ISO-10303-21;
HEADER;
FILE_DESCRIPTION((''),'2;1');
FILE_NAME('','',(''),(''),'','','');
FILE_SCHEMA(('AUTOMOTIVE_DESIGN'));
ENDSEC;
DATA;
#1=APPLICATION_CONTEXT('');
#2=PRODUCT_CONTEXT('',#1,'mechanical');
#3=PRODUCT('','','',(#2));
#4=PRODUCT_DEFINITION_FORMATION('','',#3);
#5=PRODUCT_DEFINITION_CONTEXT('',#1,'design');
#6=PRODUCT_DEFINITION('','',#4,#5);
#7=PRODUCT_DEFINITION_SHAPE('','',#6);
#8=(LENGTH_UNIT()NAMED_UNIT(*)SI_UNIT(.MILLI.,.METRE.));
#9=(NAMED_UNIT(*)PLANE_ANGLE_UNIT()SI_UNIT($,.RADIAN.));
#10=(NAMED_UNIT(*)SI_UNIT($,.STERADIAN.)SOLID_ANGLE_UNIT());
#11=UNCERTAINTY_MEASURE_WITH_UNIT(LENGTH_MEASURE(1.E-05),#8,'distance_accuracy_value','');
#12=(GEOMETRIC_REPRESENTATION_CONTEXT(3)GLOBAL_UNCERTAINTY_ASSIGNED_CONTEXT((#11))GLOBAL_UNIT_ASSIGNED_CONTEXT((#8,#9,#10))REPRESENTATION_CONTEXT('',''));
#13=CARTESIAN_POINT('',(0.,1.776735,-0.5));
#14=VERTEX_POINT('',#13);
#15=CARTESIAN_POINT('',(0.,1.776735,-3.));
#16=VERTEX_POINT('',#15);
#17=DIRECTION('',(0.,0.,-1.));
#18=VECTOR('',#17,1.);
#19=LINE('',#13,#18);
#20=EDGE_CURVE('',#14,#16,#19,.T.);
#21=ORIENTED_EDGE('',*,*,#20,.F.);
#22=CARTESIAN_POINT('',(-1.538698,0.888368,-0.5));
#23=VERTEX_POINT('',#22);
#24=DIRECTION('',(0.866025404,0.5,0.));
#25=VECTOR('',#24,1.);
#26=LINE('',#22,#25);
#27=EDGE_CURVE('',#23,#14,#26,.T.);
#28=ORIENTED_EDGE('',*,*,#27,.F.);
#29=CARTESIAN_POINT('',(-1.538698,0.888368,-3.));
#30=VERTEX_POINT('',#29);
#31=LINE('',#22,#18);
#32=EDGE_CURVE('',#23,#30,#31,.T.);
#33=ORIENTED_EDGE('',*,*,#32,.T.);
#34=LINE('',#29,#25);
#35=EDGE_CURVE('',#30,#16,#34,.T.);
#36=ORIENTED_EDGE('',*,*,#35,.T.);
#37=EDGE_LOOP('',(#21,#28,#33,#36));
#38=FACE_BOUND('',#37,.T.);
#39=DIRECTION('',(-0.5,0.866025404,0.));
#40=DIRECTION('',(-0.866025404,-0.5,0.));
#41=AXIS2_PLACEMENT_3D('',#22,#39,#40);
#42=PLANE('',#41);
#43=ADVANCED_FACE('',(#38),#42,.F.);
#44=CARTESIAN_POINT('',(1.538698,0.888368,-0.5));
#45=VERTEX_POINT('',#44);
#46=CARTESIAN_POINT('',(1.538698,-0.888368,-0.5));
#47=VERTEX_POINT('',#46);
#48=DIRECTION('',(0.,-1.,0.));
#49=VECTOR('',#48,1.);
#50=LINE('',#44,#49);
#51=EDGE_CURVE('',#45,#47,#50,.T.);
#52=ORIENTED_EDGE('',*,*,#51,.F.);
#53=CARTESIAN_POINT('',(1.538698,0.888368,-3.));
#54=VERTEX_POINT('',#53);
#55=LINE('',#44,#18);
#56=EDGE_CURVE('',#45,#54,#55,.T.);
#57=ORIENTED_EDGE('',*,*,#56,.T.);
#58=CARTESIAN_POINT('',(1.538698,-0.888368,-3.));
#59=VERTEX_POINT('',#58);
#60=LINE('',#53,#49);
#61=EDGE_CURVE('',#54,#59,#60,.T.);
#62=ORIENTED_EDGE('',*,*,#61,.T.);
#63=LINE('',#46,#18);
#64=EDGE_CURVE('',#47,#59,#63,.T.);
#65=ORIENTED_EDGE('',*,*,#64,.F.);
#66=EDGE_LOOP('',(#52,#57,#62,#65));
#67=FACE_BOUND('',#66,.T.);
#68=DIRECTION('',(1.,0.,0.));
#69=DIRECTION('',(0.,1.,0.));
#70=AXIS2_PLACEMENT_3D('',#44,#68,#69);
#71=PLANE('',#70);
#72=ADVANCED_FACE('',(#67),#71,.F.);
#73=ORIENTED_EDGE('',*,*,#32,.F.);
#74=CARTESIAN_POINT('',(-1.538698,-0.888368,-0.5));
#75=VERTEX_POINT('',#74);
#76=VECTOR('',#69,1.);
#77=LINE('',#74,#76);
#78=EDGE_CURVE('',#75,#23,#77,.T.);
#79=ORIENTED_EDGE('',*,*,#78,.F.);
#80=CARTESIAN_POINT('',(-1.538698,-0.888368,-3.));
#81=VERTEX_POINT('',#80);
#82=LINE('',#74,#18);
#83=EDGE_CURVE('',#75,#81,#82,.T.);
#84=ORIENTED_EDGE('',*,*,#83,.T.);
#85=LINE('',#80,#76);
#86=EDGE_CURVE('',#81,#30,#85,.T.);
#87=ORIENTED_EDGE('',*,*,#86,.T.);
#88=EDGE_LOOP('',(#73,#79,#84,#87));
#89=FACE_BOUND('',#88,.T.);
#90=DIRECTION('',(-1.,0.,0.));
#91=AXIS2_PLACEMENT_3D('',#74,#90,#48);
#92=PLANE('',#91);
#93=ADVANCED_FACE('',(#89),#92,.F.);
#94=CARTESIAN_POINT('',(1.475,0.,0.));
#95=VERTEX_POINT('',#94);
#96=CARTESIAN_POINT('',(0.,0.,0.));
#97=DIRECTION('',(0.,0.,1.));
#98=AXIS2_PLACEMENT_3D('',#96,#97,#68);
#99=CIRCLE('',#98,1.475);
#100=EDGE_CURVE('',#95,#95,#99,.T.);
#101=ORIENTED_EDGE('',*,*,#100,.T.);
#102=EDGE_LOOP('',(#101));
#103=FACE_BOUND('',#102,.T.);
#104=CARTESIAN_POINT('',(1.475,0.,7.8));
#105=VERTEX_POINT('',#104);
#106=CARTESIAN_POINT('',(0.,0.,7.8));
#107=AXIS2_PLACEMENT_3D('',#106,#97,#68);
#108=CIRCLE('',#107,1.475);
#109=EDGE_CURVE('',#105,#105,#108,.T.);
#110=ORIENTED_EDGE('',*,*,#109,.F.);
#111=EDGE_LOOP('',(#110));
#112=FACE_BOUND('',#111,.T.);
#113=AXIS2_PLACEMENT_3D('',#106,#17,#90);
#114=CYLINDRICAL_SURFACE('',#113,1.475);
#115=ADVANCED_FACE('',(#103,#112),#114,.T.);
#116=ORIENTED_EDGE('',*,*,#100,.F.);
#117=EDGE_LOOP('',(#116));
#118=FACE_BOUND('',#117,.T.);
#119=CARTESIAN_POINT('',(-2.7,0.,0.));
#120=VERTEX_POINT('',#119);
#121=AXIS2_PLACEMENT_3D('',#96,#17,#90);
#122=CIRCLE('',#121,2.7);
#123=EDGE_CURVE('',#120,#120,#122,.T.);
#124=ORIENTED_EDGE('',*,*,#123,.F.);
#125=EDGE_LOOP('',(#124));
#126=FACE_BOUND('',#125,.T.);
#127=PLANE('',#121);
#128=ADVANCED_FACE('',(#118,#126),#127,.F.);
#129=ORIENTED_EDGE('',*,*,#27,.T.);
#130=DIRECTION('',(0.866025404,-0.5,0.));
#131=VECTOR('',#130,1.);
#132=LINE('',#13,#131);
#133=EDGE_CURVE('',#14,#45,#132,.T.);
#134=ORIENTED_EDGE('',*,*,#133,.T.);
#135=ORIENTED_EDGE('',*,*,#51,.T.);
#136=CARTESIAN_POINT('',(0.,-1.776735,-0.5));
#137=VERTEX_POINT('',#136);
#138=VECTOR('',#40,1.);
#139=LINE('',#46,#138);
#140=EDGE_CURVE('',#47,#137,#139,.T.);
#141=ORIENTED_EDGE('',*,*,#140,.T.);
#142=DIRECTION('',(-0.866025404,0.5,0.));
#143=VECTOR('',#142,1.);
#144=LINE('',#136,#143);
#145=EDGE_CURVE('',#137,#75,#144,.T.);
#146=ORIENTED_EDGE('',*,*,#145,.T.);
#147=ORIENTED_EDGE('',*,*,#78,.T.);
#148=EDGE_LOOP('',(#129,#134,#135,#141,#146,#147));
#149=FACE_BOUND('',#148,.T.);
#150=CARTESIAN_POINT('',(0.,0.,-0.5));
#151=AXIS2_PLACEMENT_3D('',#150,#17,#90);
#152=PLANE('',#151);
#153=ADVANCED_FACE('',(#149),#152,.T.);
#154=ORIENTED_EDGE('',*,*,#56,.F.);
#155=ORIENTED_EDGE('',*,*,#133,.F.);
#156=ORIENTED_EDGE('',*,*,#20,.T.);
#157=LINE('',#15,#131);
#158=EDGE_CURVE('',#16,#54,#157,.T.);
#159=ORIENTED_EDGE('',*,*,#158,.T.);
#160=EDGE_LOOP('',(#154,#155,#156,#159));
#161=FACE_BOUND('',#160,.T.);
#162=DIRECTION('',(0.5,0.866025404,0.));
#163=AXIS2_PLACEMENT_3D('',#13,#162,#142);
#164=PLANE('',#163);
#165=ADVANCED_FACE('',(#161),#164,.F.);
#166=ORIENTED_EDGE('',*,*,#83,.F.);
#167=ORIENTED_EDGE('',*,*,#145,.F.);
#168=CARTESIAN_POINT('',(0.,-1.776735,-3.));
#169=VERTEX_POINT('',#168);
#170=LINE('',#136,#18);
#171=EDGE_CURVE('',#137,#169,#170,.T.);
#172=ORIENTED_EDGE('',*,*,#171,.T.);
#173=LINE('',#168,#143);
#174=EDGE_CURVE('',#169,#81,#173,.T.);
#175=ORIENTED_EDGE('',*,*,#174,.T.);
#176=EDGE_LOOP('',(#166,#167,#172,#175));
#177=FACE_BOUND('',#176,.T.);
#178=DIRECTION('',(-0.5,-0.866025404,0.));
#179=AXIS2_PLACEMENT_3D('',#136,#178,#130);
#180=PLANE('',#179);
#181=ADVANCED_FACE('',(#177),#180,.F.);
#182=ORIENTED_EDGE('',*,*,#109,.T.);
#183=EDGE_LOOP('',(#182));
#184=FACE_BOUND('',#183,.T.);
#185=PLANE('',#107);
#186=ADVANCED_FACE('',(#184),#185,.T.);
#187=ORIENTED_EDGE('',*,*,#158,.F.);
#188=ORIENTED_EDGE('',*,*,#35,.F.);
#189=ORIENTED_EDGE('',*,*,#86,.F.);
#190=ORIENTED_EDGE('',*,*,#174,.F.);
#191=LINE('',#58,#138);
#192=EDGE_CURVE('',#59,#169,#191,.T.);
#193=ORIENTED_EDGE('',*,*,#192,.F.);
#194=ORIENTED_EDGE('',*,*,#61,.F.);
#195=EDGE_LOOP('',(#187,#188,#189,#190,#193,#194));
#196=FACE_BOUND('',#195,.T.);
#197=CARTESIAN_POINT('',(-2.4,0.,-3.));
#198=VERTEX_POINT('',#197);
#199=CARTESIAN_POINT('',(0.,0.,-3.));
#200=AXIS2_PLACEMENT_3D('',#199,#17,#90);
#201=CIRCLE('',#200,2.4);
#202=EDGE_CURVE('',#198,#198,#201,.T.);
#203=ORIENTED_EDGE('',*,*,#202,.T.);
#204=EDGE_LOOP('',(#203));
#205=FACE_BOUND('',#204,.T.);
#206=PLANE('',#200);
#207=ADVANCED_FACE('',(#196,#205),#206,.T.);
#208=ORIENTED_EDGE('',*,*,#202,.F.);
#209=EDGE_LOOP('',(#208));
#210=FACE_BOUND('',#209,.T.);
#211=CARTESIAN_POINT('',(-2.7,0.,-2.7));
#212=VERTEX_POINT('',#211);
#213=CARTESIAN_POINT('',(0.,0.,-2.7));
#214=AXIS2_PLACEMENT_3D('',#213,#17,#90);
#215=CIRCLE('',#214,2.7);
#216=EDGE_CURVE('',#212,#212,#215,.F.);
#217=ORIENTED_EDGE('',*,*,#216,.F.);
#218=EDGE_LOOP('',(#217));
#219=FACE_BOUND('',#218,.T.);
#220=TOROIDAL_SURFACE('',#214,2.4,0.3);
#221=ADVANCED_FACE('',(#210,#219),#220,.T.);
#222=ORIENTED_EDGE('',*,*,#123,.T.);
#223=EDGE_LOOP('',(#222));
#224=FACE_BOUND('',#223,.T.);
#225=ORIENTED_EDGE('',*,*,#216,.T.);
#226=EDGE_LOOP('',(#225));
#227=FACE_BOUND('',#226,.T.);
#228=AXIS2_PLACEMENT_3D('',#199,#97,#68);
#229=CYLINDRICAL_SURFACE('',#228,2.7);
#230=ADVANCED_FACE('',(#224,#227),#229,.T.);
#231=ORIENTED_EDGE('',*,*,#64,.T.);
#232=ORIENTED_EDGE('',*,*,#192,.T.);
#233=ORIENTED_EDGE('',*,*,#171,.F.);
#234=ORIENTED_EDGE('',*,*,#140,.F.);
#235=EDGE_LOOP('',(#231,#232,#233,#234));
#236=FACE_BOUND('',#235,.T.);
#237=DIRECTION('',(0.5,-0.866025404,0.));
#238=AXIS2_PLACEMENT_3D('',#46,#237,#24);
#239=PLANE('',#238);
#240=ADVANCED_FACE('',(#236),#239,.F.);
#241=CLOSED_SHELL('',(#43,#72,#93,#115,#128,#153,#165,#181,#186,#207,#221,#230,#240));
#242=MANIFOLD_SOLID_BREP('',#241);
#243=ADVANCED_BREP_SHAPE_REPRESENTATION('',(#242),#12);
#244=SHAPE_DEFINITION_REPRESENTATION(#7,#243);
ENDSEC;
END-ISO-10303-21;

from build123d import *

# Parameters (mm, degrees)
CROQUIS1_R              = 1.475
SALIENTE_EXTRUIR1_DEPTH = 7.8
CROQUIS2_R              = 2.7
SALIENTE_EXTRUIR2_DEPTH = 3
CORTAR_EXTRUIR1_DEPTH   = 2.5
REDONDEO1_R             = 0.3


with BuildPart() as part:
    # Croquis1 → Saliente-Extruir1 (new body)
    with BuildSketch(Plane.XY):
        Circle(CROQUIS1_R)
    extrude(amount=SALIENTE_EXTRUIR1_DEPTH)

    # Croquis2 → Saliente-Extruir2 (add)
    with BuildSketch(Plane(origin=(0, 0, 0), x_dir=(-1, 0, 0), z_dir=(0, 0, -1))):
        Circle(CROQUIS2_R)
    extrude(amount=SALIENTE_EXTRUIR2_DEPTH)

    # Croquis3 → Cortar-Extruir1 (cut)
    with BuildSketch(Plane(origin=(0, 0, -3), x_dir=(-1, 0, 0), z_dir=(0, 0, -1))):
        Polygon((0, -1.776735144), (1.53869777, -0.888367572), (1.53869777, 0.888367572), (0, 1.776735144), (-1.53869777, 0.888367572), (-1.53869777, -0.888367572), align=None)
    extrude(amount=-CORTAR_EXTRUIR1_DEPTH, mode=Mode.SUBTRACT)

    # Redondeo1
    redondeo1_edges = [part.edges().sort_by_distance(p)[0] for p in [
        (2.7, 0, -3),
    ]]
    fillet(redondeo1_edges, radius=REDONDEO1_R)


solid = part.part
